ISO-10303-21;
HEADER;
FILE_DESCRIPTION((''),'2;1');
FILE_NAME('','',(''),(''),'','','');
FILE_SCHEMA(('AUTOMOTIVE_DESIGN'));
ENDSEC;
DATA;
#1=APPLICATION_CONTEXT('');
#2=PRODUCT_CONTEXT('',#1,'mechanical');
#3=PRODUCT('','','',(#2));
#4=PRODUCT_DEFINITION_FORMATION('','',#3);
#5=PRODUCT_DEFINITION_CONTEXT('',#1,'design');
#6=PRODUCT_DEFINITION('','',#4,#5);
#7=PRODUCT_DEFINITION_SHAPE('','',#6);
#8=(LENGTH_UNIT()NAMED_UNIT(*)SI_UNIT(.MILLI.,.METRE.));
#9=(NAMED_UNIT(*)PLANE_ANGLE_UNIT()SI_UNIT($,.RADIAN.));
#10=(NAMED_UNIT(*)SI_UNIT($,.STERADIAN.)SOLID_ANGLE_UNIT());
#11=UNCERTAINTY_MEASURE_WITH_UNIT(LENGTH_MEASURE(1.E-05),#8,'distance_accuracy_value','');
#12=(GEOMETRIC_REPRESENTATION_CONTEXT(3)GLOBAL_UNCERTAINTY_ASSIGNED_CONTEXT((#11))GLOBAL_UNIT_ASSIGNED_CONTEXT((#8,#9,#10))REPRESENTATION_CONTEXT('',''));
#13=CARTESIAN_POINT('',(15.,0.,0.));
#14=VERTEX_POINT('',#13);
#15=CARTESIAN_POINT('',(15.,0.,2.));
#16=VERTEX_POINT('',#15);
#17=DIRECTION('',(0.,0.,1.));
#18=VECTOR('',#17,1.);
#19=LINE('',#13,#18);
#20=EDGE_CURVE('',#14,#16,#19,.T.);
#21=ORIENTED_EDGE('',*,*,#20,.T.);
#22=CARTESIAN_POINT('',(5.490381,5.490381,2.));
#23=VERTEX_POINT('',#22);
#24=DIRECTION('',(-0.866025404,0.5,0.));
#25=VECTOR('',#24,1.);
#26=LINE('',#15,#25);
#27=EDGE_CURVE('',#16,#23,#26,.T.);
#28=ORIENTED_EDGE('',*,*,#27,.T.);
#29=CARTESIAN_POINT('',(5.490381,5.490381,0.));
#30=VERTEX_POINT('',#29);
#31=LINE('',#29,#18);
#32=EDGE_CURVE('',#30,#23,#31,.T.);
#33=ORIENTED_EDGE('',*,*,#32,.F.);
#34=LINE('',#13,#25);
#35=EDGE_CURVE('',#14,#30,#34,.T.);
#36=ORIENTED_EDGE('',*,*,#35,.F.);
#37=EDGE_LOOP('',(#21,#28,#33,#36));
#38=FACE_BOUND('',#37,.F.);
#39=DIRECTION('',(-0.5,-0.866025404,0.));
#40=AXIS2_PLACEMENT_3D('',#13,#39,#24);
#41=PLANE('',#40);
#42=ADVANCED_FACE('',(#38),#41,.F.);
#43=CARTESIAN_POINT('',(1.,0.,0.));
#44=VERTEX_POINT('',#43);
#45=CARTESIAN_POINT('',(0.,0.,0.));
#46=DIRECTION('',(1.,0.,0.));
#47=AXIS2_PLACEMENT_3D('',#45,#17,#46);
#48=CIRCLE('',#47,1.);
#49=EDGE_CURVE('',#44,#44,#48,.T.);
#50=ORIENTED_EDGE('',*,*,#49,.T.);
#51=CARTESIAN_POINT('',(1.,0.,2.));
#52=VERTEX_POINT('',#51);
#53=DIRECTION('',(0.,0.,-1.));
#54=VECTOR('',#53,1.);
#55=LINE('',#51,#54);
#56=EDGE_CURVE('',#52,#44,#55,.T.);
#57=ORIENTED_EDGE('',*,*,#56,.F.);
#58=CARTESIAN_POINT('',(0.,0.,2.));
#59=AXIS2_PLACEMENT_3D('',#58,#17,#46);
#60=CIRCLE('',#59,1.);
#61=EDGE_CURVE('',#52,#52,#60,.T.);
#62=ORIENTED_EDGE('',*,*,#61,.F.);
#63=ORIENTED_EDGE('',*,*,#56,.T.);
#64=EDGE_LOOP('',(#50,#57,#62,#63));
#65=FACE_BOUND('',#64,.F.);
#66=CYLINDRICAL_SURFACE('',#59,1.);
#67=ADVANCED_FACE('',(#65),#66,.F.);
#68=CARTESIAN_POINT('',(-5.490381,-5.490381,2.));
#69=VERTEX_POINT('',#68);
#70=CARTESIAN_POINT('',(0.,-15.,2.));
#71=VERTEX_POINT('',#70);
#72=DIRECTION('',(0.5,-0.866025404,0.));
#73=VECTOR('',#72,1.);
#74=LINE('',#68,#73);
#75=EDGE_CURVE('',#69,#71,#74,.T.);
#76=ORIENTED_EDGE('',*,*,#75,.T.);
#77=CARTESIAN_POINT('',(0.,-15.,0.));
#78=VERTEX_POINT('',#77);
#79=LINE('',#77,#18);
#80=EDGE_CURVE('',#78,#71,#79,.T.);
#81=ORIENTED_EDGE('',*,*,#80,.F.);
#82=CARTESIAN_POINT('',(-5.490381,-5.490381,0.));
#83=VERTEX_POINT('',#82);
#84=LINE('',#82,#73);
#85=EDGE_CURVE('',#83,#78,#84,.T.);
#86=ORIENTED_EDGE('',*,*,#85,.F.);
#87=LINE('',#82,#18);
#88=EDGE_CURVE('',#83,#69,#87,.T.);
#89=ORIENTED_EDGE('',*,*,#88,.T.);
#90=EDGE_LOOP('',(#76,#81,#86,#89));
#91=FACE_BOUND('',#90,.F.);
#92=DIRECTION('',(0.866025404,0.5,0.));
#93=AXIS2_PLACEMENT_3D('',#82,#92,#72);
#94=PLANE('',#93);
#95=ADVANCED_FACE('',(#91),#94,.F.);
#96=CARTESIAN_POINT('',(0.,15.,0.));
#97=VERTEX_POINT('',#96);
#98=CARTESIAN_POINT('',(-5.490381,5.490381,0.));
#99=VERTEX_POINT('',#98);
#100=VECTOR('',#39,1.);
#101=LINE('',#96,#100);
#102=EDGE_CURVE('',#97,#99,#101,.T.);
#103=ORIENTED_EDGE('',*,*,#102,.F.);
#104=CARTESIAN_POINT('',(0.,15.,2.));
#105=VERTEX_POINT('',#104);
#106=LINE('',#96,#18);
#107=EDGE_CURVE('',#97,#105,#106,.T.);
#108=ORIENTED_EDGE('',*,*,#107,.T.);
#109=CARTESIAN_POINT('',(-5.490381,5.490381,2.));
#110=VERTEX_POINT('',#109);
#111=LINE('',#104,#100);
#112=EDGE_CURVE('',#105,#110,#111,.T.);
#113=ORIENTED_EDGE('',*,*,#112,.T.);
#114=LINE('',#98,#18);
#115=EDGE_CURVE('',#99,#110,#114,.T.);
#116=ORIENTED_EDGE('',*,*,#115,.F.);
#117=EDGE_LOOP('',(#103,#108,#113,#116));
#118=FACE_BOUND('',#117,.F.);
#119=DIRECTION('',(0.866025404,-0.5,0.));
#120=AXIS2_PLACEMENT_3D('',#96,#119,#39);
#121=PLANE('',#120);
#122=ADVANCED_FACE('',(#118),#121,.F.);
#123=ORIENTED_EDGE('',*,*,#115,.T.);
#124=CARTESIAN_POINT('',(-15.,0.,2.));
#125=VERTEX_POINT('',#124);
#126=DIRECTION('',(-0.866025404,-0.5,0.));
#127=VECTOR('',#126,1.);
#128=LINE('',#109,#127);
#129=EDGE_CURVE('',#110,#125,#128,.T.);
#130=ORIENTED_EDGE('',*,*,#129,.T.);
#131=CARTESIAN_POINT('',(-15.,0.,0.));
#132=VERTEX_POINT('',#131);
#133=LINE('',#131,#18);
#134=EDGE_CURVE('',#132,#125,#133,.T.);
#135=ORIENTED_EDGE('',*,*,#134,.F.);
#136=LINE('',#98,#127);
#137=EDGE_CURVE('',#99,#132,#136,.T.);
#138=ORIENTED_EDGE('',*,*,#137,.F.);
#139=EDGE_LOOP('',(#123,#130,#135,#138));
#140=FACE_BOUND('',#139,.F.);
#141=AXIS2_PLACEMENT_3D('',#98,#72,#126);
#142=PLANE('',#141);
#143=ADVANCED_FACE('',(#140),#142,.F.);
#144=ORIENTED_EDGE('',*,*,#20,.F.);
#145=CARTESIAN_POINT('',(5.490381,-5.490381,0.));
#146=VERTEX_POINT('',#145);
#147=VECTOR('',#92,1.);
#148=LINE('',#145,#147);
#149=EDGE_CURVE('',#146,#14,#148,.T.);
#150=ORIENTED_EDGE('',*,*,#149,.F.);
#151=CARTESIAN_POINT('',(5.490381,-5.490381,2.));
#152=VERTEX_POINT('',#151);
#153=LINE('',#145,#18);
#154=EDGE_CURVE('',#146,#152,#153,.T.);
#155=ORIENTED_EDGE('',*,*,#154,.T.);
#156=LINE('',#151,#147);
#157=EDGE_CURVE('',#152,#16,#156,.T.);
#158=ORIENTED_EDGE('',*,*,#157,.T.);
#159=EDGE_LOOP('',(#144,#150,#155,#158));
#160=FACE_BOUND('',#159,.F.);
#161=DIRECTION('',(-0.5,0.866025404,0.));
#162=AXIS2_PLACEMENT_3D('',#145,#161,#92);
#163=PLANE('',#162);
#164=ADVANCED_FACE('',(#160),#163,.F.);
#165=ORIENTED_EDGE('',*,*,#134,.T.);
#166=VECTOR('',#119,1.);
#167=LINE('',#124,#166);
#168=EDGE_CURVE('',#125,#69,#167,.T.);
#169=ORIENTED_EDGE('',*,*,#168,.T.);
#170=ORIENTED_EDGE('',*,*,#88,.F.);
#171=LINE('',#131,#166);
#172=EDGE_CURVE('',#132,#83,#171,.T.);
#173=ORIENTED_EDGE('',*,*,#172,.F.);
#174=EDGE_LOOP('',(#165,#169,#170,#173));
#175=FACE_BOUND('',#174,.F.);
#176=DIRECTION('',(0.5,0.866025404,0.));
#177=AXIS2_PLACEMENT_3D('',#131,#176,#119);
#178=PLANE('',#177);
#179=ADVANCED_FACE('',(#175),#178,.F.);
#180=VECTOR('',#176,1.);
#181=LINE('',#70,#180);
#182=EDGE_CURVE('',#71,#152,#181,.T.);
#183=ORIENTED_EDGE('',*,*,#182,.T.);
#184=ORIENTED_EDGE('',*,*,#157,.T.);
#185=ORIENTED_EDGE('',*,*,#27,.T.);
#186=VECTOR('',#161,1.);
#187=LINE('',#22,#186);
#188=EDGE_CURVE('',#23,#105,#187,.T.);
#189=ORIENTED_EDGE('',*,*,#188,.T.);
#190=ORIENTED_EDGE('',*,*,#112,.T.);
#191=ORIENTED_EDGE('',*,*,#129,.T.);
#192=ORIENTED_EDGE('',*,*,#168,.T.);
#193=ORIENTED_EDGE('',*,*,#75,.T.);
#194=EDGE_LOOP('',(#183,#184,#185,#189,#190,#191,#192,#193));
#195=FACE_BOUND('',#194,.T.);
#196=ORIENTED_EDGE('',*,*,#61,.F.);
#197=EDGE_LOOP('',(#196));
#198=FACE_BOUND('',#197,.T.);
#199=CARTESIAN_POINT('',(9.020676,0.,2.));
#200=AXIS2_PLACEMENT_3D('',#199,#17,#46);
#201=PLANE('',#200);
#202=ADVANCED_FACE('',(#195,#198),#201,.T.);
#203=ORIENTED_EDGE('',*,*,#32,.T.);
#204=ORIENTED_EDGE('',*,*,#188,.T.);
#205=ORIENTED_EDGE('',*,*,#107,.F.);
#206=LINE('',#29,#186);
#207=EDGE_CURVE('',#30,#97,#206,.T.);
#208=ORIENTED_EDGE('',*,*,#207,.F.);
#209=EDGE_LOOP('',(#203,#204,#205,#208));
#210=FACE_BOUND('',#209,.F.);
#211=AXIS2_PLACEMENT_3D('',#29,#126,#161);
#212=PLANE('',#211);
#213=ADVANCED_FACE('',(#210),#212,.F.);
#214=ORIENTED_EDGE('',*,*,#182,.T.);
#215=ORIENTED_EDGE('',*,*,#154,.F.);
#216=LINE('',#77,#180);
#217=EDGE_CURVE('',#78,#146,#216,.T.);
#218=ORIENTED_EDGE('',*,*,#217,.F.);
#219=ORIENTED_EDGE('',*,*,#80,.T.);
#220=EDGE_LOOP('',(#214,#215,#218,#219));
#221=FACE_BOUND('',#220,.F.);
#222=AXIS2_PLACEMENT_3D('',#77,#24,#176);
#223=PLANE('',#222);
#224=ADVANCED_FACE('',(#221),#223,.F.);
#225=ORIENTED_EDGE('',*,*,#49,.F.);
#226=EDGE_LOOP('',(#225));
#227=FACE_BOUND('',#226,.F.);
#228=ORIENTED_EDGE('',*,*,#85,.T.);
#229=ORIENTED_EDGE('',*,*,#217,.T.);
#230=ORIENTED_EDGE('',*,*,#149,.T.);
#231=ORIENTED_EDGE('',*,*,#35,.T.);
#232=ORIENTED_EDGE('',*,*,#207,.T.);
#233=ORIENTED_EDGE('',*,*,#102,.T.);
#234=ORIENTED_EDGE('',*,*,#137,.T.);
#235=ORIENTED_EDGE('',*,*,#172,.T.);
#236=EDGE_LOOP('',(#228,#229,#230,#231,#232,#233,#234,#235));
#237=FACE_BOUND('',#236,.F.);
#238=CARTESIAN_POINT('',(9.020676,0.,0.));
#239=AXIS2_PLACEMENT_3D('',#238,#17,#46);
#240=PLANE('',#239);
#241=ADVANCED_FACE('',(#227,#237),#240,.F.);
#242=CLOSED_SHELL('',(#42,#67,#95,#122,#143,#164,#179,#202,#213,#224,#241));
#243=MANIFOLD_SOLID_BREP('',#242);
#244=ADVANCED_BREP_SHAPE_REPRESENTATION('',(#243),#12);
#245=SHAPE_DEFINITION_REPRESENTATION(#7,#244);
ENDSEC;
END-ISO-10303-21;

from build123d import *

# Parameters (mm, degrees)
F1_DEPTH = 2
F2_R     = 1
F3_DEPTH = 2.001


with BuildPart() as f1:
    # F0 (on Top) → F1 (new body)
    with BuildSketch(Plane.XY):
        with BuildLine():
            ThreePointArc((6.4951905284, 3.75), (7.2444436972, 1.9411428383), (7.5, 0))
            ThreePointArc((7.5, 0), (7.2444436972, -1.9411428383), (6.4951905284, -3.75))
            Line((6.4951905284, -3.75), (5.4903810568, -5.4903810568))
            Line((5.4903810568, -5.4903810568), (15, 0))
            Line((15, 0), (5.4903810568, 5.4903810568))
            Line((5.4903810568, 5.4903810568), (6.4951905284, 3.75))
        make_face()
        with BuildLine():
            ThreePointArc((3.75, 6.4951905284), (5.3033008589, 5.3033008589), (6.4951905284, 3.75))
            Line((6.4951905284, 3.75), (5.4903810568, 5.4903810568))
            Line((5.4903810568, 5.4903810568), (3.75, 6.4951905284))
        make_face()
        with BuildLine():
            Line((5.4903810568, -5.4903810568), (6.4951905284, -3.75))
            ThreePointArc((6.4951905284, -3.75), (5.3033008589, -5.3033008589), (3.75, -6.4951905284))
            Line((3.75, -6.4951905284), (5.4903810568, -5.4903810568))
        make_face()
        with BuildLine():
            ThreePointArc((-3.75, 6.4951905284), (0, 7.5), (3.75, 6.4951905284))
            Line((3.75, 6.4951905284), (5.4903810568, 5.4903810568))
            Line((5.4903810568, 5.4903810568), (0, 15))
            Line((0, 15), (-5.4903810568, 5.4903810568))
            Line((-5.4903810568, 5.4903810568), (-3.75, 6.4951905284))
        make_face()
        with BuildLine():
            Line((5.4903810568, -5.4903810568), (3.75, -6.4951905284))
            ThreePointArc((3.75, -6.4951905284), (0, -7.5), (-3.75, -6.4951905284))
            Line((-3.75, -6.4951905284), (-5.4903810568, -5.4903810568))
            Line((-5.4903810568, -5.4903810568), (0, -15))
            Line((0, -15), (5.4903810568, -5.4903810568))
        make_face()
        with BuildLine():
            ThreePointArc((-6.4951905284, 3.75), (-5.3033008589, 5.3033008589), (-3.75, 6.4951905284))
            Line((-3.75, 6.4951905284), (-5.4903810568, 5.4903810568))
            Line((-5.4903810568, 5.4903810568), (-6.4951905284, 3.75))
        make_face()
        with BuildLine():
            Line((-5.4903810568, -5.4903810568), (-3.75, -6.4951905284))
            ThreePointArc((-3.75, -6.4951905284), (-5.3033008589, -5.3033008589), (-6.4951905284, -3.75))
            Line((-6.4951905284, -3.75), (-5.4903810568, -5.4903810568))
        make_face()
        with BuildLine():
            ThreePointArc((-6.4951905284, -3.75), (-7.5, 0), (-6.4951905284, 3.75))
            Line((-6.4951905284, 3.75), (-5.4903810568, 5.4903810568))
            Line((-5.4903810568, 5.4903810568), (-15, 0))
            Line((-15, 0), (-5.4903810568, -5.4903810568))
            Line((-5.4903810568, -5.4903810568), (-6.4951905284, -3.75))
        make_face()
        with BuildLine():
            ThreePointArc((6.4951905284, -3.75), (7.2444436972, -1.9411428383), (7.5, 0))
            ThreePointArc((7.5, 0), (7.2444436972, 1.9411428383), (6.4951905284, 3.75))
            ThreePointArc((6.4951905284, 3.75), (5.3033008589, 5.3033008589), (3.75, 6.4951905284))
            ThreePointArc((3.75, 6.4951905284), (0, 7.5), (-3.75, 6.4951905284))
            ThreePointArc((-3.75, 6.4951905284), (-5.3033008589, 5.3033008589), (-6.4951905284, 3.75))
            ThreePointArc((-6.4951905284, 3.75), (-7.5, 0), (-6.4951905284, -3.75))
            ThreePointArc((-6.4951905284, -3.75), (-5.3033008589, -5.3033008589), (-3.75, -6.4951905284))
            ThreePointArc((-3.75, -6.4951905284), (0, -7.5), (3.75, -6.4951905284))
            ThreePointArc((3.75, -6.4951905284), (5.3033008589, -5.3033008589), (6.4951905284, -3.75))
        make_face()
    extrude(amount=F1_DEPTH)

    # F2 (on face) → F3 (cut, through all)
    with BuildSketch(Plane.XY.offset(2)):
        Circle(F2_R)
    extrude(amount=-F3_DEPTH, mode=Mode.SUBTRACT)


solid = f1.part
